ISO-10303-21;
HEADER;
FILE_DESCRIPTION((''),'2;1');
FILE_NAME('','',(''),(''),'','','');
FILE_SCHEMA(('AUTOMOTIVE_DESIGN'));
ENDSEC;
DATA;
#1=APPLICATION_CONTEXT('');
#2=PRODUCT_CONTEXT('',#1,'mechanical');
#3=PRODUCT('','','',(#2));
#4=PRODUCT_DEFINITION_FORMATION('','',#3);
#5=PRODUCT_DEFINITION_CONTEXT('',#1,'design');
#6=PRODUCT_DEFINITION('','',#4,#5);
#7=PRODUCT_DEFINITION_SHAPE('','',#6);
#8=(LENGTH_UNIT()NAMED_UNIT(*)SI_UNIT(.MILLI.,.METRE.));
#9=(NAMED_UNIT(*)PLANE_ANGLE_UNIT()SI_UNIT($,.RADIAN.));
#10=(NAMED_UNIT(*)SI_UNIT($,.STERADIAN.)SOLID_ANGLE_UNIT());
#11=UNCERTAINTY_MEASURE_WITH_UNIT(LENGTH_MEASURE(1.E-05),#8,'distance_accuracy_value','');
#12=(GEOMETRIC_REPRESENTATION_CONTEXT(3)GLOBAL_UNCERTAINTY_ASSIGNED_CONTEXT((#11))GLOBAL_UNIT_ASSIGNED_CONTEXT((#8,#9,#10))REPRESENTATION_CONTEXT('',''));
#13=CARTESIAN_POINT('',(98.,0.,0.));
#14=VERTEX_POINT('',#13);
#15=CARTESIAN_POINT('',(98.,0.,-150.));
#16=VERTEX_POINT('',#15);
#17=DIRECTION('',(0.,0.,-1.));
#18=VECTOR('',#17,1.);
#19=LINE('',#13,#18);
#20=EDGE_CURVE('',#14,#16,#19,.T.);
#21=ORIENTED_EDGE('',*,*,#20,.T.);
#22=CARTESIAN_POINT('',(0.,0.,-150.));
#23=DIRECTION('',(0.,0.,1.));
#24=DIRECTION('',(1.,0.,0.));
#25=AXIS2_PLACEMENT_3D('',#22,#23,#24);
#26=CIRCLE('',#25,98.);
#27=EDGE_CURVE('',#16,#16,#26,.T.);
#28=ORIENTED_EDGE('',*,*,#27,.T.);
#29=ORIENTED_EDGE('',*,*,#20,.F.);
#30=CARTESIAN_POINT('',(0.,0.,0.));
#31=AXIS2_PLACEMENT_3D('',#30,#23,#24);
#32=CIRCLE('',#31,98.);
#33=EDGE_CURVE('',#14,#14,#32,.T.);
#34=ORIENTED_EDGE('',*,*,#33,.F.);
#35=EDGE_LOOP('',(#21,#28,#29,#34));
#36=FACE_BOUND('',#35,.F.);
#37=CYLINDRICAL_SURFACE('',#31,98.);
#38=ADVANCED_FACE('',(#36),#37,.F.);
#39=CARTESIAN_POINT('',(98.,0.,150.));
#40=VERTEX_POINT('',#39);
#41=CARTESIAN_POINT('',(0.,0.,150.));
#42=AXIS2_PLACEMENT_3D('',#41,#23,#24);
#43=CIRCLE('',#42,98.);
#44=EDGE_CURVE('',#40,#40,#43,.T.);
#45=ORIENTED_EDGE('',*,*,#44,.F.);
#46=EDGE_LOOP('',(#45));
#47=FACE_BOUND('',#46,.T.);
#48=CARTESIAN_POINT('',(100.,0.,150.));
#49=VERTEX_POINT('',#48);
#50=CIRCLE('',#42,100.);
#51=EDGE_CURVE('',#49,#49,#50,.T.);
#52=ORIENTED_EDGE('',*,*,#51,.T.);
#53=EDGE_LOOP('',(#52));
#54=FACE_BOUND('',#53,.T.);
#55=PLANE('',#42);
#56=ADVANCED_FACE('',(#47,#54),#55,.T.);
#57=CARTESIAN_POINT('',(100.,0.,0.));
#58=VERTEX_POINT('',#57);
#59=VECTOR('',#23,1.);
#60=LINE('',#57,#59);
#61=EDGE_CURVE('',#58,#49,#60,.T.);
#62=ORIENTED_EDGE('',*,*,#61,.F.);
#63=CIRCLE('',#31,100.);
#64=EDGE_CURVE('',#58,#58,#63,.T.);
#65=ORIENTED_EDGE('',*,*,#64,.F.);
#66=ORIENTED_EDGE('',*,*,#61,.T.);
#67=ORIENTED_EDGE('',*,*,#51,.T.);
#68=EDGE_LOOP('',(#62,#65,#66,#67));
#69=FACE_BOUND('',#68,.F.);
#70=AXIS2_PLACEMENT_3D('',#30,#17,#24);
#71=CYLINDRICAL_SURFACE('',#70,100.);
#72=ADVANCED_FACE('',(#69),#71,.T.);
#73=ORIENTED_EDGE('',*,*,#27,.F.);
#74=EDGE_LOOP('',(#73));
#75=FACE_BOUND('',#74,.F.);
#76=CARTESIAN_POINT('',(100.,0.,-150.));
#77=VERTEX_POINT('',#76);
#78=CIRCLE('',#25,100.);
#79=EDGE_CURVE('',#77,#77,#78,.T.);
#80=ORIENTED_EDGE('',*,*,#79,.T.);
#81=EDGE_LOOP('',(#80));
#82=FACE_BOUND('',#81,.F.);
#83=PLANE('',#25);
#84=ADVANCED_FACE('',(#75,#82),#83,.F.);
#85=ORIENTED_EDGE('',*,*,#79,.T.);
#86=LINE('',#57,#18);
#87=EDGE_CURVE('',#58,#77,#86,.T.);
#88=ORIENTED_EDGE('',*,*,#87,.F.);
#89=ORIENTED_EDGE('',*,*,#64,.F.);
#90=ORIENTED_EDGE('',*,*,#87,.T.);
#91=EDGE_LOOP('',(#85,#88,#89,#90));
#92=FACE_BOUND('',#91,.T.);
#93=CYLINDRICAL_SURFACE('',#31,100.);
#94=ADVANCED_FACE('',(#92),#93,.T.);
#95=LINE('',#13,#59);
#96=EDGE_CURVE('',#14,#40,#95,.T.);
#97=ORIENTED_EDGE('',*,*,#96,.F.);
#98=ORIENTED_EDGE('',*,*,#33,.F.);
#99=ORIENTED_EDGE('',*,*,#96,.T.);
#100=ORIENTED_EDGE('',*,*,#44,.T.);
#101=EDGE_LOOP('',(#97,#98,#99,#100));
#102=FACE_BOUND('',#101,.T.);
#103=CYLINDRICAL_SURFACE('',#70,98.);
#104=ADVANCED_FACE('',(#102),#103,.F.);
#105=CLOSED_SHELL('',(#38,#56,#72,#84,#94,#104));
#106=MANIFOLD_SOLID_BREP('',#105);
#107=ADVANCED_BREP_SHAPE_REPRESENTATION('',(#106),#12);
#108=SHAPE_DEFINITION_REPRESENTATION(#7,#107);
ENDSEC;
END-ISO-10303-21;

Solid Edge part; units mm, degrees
sketch "Sketch1" plane through (0, 0, 0) normal (0, 0, 1) x (1, 0, 0)
  circle A0 centre (0, 0) radius 100
  circle A1 centre (0, 0) radius 98
  dimension "D1" = 200
  dimension "D2" = 196
extrude "Protrusion1" add sketch "Sketch1" along normal mid plane 300
